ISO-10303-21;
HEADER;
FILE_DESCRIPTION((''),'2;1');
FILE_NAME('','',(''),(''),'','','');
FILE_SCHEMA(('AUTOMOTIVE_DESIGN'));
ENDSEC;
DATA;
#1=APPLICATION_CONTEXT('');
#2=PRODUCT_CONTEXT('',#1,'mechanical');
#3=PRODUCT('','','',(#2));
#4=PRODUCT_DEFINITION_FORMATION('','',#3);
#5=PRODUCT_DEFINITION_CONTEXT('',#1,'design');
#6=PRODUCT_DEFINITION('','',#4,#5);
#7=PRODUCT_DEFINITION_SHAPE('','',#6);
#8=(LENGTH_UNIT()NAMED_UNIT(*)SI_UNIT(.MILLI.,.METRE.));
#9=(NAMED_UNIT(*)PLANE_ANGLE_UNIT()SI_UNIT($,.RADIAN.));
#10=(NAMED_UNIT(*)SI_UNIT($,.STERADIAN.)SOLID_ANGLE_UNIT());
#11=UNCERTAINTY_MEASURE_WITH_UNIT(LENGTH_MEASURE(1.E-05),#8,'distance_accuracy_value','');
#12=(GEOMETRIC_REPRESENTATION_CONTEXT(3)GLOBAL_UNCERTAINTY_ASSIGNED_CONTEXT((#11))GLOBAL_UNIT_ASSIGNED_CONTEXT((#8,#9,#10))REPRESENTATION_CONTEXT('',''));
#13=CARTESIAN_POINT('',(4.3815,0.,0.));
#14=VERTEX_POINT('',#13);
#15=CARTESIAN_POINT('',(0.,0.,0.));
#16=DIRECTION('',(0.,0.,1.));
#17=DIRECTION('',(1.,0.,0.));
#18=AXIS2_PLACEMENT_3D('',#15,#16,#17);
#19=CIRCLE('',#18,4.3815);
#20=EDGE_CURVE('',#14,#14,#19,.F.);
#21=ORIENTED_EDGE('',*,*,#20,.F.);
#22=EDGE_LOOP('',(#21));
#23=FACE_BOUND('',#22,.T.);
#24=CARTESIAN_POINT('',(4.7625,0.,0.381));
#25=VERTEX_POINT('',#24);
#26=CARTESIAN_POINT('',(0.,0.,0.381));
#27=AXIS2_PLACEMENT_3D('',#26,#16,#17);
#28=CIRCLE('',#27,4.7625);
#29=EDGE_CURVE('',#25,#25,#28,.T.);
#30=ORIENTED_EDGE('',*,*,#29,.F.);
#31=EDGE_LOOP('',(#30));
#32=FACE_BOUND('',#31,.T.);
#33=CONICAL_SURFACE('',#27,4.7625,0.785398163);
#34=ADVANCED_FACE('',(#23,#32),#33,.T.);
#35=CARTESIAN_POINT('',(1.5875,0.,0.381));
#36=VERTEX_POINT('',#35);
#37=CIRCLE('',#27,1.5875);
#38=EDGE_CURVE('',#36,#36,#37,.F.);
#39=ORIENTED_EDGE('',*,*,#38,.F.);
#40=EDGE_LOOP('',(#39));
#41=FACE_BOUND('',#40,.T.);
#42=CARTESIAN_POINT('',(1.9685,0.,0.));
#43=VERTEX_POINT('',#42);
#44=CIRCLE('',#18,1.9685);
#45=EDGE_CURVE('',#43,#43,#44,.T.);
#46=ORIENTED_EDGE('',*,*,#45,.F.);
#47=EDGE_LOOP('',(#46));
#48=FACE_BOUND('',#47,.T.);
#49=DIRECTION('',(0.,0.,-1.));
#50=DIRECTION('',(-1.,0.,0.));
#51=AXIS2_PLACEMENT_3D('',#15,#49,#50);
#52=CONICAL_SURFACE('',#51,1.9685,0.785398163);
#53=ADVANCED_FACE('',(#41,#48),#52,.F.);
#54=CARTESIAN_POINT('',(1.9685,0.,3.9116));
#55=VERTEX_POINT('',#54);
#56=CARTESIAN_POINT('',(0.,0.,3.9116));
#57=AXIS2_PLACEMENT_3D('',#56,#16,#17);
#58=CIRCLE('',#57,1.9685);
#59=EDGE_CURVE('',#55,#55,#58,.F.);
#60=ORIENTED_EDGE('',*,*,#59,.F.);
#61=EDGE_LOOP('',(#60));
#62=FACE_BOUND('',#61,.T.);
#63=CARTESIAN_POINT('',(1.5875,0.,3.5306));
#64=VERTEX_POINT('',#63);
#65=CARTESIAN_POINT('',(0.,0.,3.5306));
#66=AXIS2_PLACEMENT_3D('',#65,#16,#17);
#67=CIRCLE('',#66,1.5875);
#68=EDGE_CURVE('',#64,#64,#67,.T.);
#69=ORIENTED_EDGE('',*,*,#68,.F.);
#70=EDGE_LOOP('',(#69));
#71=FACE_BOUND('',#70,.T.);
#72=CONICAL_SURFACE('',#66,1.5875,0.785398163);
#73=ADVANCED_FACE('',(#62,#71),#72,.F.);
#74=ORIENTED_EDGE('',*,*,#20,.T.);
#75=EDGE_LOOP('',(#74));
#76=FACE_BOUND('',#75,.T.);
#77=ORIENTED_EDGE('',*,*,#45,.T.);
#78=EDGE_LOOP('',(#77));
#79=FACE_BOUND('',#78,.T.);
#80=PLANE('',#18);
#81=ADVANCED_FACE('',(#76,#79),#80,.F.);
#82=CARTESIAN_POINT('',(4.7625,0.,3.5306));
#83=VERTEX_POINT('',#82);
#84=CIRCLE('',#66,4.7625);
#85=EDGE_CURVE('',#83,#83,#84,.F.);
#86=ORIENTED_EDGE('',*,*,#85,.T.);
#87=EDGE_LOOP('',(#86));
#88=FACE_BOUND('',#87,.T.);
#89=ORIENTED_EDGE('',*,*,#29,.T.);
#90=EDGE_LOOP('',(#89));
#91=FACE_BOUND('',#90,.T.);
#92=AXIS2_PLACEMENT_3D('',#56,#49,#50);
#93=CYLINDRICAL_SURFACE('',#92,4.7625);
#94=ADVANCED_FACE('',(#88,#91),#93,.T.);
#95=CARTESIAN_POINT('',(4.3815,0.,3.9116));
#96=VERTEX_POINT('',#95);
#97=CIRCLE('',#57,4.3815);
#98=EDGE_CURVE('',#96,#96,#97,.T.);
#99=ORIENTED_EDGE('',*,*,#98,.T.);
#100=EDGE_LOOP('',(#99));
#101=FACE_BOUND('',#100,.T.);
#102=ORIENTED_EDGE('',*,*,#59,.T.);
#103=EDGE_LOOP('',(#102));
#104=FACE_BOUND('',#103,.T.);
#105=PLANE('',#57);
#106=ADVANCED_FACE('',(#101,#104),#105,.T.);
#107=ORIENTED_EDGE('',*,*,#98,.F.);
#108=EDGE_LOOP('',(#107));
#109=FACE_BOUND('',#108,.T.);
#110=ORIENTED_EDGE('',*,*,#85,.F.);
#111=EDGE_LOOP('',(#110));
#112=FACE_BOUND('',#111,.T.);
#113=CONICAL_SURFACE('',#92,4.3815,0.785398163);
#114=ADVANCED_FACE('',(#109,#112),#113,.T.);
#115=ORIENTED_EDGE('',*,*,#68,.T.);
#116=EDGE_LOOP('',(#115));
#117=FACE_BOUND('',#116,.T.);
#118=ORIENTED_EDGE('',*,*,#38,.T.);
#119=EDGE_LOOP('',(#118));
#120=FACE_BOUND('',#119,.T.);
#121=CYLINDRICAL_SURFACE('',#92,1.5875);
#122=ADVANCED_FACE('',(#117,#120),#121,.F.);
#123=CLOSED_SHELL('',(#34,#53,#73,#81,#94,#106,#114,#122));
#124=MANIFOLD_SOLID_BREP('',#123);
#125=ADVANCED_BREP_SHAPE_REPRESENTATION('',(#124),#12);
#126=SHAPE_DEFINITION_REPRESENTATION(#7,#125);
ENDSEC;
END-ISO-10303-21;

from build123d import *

# Parameters (mm, degrees)
SKETCH1_R           = 4.7625
SKETCH1_R_2         = 1.5875
BOSS_EXTRUDE1_DEPTH = 3.9116
CHAMFER1_SIZE       = 0.381


with BuildPart() as part:
    # Sketch1 → Boss-Extrude1 (new body)
    with BuildSketch(Plane.XY):
        Circle(SKETCH1_R)
        Circle(SKETCH1_R_2, mode=Mode.SUBTRACT)
    extrude(amount=BOSS_EXTRUDE1_DEPTH)

    # Chamfer1
    chamfer1_edges = [part.edges().sort_by_distance(p)[0] for p in [
        (-4.7625, 0, 0),
        (-4.7625, 0, 3.9116),
        (-1.5875, 0, 0),
        (-1.5875, 0, 3.9116),
    ]]
    chamfer(chamfer1_edges, length=CHAMFER1_SIZE)


solid = part.part
